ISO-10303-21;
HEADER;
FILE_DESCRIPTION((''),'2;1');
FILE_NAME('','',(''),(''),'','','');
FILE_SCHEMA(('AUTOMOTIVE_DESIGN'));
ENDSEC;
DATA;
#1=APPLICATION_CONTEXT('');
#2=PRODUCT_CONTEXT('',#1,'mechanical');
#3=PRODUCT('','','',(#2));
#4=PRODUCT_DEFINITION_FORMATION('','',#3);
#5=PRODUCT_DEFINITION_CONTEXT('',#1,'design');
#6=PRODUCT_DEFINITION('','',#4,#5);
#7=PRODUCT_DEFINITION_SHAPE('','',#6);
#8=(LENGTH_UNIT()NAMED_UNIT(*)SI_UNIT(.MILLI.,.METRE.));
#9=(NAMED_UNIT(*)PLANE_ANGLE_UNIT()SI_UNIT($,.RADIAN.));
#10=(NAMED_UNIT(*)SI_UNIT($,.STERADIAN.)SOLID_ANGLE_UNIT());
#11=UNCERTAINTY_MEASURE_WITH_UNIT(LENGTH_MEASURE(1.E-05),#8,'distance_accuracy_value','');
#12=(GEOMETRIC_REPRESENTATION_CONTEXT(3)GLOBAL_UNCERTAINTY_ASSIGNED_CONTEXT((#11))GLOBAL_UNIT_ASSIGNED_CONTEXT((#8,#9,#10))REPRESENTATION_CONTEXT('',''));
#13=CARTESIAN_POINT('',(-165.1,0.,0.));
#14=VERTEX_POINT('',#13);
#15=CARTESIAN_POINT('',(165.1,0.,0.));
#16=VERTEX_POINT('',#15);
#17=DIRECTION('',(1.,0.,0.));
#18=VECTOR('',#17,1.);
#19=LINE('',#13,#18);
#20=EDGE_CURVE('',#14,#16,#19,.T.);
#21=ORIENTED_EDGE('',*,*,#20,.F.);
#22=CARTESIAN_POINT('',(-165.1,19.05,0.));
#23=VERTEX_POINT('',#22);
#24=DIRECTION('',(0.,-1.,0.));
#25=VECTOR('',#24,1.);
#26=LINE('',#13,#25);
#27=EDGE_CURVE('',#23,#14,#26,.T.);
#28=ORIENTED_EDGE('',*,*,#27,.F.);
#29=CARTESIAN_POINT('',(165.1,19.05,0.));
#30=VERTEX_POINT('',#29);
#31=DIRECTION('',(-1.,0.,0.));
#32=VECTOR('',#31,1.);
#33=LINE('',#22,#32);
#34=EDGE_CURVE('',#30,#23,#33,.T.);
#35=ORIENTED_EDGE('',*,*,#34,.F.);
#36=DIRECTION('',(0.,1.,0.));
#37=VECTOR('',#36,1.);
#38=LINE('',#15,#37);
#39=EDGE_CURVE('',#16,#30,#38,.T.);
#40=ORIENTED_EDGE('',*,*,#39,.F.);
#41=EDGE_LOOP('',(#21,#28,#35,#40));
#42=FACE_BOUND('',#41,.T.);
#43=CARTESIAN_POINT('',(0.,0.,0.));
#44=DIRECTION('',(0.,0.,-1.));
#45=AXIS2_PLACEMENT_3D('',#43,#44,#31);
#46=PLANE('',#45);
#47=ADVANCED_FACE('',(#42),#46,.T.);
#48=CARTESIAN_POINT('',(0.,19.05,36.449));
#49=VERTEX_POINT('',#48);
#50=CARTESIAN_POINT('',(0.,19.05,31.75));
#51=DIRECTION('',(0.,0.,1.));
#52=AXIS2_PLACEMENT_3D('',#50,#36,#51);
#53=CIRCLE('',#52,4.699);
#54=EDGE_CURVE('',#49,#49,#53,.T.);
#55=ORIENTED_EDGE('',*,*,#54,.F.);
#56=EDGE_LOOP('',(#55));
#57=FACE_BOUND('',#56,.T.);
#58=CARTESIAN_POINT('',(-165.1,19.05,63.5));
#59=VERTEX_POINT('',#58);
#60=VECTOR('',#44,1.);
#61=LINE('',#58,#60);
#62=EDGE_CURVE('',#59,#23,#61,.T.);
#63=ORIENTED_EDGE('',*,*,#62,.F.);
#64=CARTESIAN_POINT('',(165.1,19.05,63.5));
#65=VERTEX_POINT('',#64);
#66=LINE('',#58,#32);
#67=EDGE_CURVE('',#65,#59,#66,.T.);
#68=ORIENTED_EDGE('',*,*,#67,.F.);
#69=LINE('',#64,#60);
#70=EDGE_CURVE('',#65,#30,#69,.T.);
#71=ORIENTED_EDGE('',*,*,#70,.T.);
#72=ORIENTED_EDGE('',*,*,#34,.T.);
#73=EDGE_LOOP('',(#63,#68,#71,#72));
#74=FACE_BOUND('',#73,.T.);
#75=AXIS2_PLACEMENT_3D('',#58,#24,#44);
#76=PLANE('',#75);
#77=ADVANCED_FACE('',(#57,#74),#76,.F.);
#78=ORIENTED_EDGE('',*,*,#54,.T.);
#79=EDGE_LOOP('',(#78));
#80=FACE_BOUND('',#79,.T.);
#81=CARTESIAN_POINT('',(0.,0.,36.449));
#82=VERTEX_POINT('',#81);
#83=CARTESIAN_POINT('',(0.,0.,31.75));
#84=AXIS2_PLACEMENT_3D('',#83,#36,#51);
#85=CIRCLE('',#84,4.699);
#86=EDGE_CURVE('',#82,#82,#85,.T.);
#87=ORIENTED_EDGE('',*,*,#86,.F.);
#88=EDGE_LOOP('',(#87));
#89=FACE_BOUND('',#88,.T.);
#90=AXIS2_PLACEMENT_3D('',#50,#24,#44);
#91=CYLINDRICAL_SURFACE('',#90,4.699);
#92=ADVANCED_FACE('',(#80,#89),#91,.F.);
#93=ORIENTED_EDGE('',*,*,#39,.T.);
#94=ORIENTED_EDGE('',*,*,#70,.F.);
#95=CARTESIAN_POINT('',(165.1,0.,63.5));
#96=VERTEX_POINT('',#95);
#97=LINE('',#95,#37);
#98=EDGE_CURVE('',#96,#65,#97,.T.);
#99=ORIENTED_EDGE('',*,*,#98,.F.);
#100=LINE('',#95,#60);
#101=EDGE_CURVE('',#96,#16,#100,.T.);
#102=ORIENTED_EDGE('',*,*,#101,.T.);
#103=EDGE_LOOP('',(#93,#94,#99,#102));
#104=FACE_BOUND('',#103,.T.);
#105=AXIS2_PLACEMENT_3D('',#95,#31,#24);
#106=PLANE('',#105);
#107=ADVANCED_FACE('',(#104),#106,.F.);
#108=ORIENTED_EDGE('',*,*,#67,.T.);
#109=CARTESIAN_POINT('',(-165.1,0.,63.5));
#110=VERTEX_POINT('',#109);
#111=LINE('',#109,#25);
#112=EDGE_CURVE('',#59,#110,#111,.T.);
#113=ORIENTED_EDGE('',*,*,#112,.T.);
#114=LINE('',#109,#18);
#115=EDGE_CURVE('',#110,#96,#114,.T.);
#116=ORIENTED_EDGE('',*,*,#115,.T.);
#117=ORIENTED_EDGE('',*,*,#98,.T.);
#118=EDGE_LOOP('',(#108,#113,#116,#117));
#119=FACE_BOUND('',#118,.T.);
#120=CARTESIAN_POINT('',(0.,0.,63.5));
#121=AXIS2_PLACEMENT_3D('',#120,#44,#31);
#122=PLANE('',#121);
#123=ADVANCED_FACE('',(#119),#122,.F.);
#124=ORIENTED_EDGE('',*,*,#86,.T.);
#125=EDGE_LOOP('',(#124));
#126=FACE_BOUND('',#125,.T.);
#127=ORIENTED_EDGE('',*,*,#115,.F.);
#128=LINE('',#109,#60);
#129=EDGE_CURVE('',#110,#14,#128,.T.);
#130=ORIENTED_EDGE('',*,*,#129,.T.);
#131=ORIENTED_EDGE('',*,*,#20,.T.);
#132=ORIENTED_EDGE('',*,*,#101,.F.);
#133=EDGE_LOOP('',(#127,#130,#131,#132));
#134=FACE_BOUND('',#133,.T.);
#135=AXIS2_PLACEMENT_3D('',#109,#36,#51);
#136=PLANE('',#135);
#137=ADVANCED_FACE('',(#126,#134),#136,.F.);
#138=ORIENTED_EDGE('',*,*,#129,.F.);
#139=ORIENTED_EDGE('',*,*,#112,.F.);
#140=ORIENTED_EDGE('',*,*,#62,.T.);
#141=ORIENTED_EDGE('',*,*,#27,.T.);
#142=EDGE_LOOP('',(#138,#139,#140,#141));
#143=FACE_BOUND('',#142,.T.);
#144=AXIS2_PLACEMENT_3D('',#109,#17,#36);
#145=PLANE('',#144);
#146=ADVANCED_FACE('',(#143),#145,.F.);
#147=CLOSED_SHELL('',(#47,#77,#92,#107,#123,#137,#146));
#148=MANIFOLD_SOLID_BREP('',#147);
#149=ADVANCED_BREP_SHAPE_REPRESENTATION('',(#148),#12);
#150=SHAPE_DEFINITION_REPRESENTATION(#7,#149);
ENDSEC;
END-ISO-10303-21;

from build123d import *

# Parameters (mm, degrees)
SKETCH2_W           = 330.2
SKETCH2_H           = 19.05
BOSS_EXTRUDE1_DEPTH = 63.5
SKETCH4_R           = 4.699
CUT_EXTRUDE2_DEPTH  = 20.05


with BuildPart() as part:
    # Sketch2 → Boss-Extrude1 (new body)
    with BuildSketch(Plane.XY):
        with Locations((0, 9.525)):
            Rectangle(SKETCH2_W, SKETCH2_H)
    extrude(amount=BOSS_EXTRUDE1_DEPTH)

    # Sketch4 → Cut-Extrude2 (cut, through all)
    with BuildSketch(Plane(origin=(0, 0, 0), x_dir=(1, 0, 0), z_dir=(0, 1, 0))):
        with Locations((0, -31.75)):
            Circle(SKETCH4_R)
    extrude(amount=CUT_EXTRUDE2_DEPTH, mode=Mode.SUBTRACT)


solid = part.part
